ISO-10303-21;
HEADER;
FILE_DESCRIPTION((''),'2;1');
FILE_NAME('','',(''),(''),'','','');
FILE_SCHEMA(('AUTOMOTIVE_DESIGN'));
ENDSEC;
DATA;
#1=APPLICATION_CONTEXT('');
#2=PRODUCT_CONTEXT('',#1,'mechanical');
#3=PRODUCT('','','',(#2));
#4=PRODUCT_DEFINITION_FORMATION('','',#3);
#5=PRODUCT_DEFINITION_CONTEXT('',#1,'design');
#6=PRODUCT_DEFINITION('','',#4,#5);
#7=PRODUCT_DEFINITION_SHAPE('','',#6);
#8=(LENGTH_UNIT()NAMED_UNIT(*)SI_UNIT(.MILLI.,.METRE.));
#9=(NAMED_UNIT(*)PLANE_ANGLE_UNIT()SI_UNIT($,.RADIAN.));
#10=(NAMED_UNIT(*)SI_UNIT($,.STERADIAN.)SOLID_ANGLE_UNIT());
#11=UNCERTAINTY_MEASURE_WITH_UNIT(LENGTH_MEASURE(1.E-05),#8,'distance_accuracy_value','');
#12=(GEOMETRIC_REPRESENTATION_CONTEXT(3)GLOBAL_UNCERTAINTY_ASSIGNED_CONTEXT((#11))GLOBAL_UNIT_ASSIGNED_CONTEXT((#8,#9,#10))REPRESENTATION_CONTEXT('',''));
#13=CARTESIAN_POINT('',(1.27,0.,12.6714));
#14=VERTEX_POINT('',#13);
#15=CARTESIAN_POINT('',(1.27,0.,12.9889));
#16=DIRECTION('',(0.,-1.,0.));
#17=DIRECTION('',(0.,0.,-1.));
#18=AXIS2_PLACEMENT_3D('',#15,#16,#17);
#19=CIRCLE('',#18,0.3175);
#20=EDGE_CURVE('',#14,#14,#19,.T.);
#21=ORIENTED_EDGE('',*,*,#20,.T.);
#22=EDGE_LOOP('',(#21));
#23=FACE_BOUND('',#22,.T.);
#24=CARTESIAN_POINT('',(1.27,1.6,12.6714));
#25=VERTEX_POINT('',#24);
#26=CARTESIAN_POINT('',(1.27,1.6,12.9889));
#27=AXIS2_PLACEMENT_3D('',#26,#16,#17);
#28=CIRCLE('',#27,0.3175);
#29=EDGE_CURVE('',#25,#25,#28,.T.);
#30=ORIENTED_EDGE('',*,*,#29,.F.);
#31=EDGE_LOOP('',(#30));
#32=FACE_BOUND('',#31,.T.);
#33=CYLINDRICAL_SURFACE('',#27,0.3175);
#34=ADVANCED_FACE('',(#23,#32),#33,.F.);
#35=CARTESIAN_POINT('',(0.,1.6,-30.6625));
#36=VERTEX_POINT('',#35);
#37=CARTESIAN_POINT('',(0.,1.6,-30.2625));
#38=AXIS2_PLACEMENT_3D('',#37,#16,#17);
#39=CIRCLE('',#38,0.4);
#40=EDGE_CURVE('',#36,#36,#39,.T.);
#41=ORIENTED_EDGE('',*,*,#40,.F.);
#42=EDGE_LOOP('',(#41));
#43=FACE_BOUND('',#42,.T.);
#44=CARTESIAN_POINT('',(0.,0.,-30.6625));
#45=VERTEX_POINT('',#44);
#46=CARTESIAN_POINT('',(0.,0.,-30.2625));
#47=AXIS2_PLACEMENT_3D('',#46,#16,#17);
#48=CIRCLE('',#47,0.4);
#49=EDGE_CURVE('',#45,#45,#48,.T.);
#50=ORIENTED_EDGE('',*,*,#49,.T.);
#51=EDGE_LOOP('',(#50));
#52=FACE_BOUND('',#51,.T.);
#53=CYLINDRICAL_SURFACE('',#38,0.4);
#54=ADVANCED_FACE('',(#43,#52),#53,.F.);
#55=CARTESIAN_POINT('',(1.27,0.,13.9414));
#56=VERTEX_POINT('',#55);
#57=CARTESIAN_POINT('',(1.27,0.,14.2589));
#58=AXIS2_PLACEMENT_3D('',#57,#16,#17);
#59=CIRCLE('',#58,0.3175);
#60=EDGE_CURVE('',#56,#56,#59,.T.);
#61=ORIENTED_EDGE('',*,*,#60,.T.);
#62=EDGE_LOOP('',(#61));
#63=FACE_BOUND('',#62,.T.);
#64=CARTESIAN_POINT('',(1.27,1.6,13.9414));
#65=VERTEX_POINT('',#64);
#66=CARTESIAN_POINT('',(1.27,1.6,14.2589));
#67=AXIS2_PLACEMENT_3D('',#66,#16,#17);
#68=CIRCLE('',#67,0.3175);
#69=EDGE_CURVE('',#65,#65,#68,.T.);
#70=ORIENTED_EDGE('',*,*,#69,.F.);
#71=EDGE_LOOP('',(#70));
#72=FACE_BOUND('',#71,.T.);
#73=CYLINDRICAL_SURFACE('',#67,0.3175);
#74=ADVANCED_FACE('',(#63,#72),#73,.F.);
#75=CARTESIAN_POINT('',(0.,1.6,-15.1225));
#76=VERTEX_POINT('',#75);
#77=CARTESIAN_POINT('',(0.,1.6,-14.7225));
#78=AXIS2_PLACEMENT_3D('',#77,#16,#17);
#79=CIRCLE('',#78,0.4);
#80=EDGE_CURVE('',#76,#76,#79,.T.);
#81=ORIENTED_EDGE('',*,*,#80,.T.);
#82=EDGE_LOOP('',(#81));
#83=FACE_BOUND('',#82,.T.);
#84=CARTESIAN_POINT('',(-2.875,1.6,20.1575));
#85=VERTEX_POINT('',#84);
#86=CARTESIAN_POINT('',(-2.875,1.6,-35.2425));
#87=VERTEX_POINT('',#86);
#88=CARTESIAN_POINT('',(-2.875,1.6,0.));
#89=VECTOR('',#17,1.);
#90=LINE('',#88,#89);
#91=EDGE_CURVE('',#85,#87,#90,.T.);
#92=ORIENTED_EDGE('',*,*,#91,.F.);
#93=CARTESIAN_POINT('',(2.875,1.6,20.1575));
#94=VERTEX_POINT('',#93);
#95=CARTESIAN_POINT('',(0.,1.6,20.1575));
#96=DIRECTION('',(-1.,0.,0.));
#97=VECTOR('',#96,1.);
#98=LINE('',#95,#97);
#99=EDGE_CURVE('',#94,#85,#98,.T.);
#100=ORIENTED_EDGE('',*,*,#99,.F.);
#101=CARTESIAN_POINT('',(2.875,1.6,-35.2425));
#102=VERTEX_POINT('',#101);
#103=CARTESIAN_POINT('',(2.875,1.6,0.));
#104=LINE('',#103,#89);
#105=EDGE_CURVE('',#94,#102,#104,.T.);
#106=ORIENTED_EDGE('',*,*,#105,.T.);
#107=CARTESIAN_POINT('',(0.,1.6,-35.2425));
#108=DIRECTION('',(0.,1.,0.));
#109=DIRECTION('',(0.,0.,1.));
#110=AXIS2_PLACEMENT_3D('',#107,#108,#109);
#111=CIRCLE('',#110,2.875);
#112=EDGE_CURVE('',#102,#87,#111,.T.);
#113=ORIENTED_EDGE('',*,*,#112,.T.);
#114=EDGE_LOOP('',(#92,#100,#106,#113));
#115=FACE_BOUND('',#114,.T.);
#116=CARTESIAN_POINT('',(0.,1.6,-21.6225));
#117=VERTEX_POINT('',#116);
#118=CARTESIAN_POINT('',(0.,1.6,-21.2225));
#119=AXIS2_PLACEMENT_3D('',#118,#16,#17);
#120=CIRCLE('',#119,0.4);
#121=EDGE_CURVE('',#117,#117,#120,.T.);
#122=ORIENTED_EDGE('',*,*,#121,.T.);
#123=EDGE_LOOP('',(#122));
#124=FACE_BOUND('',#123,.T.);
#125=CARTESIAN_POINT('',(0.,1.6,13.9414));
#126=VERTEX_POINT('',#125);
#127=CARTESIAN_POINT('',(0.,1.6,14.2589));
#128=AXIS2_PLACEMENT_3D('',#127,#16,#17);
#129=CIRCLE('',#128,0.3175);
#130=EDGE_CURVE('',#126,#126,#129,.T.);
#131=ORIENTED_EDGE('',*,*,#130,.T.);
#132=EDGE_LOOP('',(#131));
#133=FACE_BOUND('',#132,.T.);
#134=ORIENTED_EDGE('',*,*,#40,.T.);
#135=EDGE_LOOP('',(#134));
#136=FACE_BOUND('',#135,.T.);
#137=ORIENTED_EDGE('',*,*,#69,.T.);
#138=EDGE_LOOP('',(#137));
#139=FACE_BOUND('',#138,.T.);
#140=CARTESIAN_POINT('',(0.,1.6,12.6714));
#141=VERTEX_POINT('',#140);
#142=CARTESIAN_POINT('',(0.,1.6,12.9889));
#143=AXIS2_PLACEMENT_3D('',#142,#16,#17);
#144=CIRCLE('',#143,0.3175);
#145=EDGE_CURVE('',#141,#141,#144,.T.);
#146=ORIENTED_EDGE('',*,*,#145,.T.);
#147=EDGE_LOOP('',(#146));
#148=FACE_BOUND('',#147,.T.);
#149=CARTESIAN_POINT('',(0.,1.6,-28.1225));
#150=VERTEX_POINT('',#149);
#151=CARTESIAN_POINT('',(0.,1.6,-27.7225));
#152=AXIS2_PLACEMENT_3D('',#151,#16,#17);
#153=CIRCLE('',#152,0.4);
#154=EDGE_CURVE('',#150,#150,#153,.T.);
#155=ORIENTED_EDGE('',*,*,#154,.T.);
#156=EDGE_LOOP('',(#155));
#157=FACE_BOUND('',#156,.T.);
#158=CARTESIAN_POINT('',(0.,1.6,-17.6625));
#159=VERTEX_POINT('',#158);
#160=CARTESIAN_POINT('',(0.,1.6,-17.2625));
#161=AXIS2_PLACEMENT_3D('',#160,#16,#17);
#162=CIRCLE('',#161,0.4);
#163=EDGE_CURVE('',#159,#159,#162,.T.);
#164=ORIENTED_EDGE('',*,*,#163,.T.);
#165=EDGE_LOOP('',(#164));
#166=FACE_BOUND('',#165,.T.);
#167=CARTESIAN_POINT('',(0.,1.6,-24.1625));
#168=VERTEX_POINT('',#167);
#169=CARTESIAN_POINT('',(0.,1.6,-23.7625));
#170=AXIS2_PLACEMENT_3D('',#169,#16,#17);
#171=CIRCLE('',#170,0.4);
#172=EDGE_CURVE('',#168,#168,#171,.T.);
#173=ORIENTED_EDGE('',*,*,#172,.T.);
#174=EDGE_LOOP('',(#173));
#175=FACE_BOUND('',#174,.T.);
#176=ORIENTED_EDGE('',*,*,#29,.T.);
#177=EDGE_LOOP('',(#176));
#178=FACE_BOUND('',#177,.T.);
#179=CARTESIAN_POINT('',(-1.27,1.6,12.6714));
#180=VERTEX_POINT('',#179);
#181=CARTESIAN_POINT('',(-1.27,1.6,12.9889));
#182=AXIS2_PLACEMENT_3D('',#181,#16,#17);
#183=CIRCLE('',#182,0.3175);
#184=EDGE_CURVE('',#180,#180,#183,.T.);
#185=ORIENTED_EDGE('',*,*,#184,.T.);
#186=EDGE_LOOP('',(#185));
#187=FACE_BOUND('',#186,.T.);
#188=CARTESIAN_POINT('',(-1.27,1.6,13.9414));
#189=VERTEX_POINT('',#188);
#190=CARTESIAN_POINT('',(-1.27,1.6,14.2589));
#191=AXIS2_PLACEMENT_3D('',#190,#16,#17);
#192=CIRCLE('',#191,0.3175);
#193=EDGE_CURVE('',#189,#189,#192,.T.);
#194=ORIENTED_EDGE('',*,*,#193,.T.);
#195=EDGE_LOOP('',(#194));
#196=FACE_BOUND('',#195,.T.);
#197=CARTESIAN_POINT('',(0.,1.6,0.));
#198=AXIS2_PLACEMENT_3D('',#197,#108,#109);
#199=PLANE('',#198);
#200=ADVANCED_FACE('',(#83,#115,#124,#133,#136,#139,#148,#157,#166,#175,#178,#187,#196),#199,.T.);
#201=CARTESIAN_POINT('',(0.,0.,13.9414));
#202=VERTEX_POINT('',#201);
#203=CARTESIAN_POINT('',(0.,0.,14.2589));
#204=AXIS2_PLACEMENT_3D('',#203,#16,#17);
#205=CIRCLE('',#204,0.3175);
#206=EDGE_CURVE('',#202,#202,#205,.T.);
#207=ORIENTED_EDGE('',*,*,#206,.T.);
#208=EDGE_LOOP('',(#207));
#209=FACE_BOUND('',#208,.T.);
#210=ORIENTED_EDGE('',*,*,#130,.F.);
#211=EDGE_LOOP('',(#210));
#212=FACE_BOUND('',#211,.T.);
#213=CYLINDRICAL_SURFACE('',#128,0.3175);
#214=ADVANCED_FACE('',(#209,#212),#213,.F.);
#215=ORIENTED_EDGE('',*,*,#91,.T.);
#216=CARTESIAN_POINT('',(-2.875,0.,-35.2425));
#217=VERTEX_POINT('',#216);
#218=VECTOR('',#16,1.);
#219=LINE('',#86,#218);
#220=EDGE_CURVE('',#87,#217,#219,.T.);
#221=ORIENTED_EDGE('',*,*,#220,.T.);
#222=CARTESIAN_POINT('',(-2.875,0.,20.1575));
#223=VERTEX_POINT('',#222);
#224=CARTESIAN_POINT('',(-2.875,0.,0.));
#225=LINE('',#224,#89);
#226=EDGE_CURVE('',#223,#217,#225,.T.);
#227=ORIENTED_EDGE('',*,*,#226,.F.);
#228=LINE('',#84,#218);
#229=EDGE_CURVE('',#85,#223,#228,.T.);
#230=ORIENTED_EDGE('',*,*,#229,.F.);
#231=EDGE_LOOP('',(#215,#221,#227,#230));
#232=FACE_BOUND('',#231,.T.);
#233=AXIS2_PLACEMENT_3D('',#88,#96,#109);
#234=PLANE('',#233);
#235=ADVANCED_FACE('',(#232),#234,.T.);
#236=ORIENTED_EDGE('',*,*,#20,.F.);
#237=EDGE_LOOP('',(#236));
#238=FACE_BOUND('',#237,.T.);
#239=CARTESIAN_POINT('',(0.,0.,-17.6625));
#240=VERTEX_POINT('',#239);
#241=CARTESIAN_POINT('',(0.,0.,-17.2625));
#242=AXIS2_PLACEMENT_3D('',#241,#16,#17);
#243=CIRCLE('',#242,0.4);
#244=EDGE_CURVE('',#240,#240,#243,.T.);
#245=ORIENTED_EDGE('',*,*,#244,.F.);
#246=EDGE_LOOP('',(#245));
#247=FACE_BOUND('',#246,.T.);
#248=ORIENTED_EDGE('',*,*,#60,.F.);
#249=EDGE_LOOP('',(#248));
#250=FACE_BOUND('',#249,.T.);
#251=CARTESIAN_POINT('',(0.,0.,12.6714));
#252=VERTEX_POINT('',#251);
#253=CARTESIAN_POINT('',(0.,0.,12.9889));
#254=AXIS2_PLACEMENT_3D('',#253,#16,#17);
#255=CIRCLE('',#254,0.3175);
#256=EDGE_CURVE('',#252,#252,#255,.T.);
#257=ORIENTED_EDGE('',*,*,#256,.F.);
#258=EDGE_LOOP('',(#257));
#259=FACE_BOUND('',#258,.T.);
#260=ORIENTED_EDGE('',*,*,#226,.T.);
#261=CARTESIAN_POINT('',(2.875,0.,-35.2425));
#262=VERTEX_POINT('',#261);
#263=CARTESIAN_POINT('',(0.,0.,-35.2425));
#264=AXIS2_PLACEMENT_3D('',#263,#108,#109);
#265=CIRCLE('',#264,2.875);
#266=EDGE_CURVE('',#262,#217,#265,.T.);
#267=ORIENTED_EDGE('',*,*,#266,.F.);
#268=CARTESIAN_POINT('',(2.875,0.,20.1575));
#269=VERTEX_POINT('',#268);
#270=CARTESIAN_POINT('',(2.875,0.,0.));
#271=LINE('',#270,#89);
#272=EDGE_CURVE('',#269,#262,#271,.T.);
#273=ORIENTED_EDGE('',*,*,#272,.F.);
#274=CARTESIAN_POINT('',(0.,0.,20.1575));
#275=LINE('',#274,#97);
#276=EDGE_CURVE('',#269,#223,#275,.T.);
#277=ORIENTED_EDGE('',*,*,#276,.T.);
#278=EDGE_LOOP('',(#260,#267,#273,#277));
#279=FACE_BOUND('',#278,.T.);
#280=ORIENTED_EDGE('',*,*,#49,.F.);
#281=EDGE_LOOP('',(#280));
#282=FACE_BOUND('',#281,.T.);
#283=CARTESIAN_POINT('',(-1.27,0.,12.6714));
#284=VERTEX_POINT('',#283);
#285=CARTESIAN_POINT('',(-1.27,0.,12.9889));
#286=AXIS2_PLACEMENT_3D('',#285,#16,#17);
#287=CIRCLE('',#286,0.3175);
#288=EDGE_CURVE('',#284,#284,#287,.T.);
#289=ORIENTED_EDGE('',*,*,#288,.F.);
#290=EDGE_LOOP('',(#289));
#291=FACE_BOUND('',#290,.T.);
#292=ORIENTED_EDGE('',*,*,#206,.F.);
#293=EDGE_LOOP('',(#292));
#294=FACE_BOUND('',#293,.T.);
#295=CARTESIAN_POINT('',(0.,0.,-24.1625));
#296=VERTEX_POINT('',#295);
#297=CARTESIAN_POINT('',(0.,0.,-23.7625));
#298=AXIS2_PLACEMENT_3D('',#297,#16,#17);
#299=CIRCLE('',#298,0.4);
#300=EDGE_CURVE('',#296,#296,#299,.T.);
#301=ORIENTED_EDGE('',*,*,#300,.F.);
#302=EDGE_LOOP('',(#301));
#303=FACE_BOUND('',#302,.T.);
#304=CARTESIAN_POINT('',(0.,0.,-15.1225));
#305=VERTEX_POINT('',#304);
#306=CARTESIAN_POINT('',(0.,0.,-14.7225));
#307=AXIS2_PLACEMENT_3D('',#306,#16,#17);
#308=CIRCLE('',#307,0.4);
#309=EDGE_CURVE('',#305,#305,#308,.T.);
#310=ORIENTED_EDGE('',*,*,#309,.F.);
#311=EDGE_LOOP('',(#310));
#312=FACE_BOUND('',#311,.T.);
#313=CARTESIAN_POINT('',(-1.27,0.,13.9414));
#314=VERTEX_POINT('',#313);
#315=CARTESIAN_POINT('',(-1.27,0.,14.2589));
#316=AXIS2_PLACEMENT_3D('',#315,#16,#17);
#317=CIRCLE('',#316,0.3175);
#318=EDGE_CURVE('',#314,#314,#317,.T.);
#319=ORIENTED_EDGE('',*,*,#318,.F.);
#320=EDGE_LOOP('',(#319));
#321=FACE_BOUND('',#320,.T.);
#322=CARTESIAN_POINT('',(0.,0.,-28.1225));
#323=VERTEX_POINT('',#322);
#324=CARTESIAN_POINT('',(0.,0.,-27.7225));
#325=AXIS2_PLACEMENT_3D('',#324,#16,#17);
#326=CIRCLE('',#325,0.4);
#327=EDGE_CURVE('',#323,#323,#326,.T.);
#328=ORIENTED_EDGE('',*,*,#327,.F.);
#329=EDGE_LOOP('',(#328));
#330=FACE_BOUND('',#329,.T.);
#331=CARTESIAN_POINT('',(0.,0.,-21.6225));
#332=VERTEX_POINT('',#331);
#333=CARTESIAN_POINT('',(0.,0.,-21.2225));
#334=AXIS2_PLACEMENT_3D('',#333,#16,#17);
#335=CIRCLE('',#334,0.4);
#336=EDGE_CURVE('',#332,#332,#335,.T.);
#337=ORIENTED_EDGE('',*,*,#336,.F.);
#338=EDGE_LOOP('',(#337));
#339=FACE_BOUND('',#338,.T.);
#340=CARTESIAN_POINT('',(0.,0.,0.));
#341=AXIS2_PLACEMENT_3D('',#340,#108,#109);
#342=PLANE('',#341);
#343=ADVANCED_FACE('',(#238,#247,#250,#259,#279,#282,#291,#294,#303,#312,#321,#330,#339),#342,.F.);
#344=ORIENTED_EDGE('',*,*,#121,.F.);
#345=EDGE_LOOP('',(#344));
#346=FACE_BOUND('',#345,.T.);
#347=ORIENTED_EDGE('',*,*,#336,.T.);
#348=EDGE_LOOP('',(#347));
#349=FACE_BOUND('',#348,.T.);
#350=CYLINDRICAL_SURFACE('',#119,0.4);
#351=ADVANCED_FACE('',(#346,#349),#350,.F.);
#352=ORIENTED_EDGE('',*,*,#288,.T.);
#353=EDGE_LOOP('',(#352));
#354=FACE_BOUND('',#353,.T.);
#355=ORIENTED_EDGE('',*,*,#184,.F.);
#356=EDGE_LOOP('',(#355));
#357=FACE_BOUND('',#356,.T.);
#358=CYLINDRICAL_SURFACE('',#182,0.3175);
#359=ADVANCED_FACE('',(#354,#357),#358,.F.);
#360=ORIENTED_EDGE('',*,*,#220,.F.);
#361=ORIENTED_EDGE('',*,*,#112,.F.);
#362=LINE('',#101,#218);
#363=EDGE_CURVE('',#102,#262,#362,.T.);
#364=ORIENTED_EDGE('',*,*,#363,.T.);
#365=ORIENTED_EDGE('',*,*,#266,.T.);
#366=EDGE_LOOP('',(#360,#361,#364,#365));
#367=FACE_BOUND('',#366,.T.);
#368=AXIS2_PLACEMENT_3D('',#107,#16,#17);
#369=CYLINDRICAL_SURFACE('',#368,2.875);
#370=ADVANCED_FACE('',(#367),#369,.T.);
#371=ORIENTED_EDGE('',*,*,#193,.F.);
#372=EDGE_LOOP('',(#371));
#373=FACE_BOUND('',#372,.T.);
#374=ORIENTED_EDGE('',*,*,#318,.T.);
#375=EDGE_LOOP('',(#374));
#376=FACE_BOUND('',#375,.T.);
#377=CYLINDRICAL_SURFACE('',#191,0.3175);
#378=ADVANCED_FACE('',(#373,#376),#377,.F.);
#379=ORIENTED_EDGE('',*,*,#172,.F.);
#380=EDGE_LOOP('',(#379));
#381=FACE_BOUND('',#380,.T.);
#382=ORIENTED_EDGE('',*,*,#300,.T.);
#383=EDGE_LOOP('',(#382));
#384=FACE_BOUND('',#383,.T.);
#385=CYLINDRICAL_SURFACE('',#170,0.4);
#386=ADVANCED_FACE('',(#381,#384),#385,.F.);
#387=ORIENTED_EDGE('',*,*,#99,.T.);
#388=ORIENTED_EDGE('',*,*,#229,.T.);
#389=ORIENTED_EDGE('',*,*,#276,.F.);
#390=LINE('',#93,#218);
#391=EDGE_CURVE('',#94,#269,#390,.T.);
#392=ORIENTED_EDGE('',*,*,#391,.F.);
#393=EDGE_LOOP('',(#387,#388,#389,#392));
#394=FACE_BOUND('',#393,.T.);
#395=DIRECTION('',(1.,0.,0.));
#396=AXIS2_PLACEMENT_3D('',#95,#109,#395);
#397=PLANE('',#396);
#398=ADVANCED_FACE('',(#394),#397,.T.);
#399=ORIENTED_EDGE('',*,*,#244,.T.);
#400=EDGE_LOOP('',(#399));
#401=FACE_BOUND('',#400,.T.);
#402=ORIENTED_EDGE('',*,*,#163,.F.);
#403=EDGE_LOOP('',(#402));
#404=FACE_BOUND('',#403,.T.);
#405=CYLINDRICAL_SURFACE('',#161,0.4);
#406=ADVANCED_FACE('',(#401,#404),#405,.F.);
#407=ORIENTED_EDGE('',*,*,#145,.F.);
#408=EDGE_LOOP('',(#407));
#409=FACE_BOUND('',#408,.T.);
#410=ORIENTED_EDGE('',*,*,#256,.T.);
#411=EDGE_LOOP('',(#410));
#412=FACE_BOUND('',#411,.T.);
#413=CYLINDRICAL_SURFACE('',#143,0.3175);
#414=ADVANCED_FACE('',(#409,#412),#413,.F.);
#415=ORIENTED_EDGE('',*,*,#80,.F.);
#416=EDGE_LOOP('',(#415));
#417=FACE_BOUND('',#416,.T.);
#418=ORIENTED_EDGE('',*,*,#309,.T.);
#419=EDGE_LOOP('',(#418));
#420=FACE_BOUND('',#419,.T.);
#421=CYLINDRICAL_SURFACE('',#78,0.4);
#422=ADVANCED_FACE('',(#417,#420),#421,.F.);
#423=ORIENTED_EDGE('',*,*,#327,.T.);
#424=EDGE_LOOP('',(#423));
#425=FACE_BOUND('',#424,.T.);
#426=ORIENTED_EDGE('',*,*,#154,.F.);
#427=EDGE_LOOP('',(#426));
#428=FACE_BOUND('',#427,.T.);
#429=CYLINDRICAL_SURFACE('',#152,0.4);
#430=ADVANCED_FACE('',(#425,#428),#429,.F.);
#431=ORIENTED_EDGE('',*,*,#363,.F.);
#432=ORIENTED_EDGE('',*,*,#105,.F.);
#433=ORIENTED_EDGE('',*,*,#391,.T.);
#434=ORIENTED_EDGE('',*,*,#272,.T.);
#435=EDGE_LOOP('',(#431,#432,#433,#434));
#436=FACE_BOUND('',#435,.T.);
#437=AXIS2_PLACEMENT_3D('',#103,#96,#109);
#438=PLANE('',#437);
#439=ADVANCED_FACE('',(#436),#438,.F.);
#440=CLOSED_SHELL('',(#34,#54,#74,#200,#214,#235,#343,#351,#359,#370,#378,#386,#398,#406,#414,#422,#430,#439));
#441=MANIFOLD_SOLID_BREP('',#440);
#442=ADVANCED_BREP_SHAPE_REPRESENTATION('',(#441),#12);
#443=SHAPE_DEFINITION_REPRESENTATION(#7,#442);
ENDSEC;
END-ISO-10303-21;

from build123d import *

# Parameters (mm, degrees)
BOSS_EXTRUDE1_DEPTH = 1.6
SKETCH2_R           = 0.3175
SKETCH2_R_2         = 0.4
CUT_EXTRUDE1_DEPTH  = 2.6


with BuildPart() as part:
    # Sketch1 → Boss-Extrude1 (new body)
    with BuildSketch(Plane(origin=(0, 0, 0), x_dir=(1, 0, 0), z_dir=(0, 1, 0))):
        with BuildLine():
            Line((-2.875, 35.2425), (-2.875, -20.1575))
            Line((-2.875, -20.1575), (2.875, -20.1575))
            Line((2.875, -20.1575), (2.875, 35.2425))
            ThreePointArc((2.875, 35.2425), (0, 38.1175), (-2.875, 35.2425))
        make_face()
    extrude(amount=BOSS_EXTRUDE1_DEPTH)

    # Sketch2 → Cut-Extrude1 (cut, through all)
    with BuildSketch(Plane.XZ):
        with Locations((1.27, 12.9889)):
            Circle(SKETCH2_R)
        with Locations((0, 12.9889)):
            Circle(SKETCH2_R)
        with Locations((-1.27, 12.9889)):
            Circle(SKETCH2_R)
        with Locations((0, 14.2589)):
            Circle(SKETCH2_R)
        with Locations((-1.27, 14.2589)):
            Circle(SKETCH2_R)
        with Locations((1.27, 14.2589)):
            Circle(SKETCH2_R)
        with Locations((0, -30.2625)):
            Circle(SKETCH2_R_2)
        with Locations((0, -23.7625)):
            Circle(SKETCH2_R_2)
        with Locations((0, -17.2625)):
            Circle(SKETCH2_R_2)
        with Locations((0, -27.7225)):
            Circle(SKETCH2_R_2)
        with Locations((0, -21.2225)):
            Circle(SKETCH2_R_2)
        with Locations((0, -14.7225)):
            Circle(SKETCH2_R_2)
    extrude(amount=-CUT_EXTRUDE1_DEPTH, mode=Mode.SUBTRACT)


solid = part.part
